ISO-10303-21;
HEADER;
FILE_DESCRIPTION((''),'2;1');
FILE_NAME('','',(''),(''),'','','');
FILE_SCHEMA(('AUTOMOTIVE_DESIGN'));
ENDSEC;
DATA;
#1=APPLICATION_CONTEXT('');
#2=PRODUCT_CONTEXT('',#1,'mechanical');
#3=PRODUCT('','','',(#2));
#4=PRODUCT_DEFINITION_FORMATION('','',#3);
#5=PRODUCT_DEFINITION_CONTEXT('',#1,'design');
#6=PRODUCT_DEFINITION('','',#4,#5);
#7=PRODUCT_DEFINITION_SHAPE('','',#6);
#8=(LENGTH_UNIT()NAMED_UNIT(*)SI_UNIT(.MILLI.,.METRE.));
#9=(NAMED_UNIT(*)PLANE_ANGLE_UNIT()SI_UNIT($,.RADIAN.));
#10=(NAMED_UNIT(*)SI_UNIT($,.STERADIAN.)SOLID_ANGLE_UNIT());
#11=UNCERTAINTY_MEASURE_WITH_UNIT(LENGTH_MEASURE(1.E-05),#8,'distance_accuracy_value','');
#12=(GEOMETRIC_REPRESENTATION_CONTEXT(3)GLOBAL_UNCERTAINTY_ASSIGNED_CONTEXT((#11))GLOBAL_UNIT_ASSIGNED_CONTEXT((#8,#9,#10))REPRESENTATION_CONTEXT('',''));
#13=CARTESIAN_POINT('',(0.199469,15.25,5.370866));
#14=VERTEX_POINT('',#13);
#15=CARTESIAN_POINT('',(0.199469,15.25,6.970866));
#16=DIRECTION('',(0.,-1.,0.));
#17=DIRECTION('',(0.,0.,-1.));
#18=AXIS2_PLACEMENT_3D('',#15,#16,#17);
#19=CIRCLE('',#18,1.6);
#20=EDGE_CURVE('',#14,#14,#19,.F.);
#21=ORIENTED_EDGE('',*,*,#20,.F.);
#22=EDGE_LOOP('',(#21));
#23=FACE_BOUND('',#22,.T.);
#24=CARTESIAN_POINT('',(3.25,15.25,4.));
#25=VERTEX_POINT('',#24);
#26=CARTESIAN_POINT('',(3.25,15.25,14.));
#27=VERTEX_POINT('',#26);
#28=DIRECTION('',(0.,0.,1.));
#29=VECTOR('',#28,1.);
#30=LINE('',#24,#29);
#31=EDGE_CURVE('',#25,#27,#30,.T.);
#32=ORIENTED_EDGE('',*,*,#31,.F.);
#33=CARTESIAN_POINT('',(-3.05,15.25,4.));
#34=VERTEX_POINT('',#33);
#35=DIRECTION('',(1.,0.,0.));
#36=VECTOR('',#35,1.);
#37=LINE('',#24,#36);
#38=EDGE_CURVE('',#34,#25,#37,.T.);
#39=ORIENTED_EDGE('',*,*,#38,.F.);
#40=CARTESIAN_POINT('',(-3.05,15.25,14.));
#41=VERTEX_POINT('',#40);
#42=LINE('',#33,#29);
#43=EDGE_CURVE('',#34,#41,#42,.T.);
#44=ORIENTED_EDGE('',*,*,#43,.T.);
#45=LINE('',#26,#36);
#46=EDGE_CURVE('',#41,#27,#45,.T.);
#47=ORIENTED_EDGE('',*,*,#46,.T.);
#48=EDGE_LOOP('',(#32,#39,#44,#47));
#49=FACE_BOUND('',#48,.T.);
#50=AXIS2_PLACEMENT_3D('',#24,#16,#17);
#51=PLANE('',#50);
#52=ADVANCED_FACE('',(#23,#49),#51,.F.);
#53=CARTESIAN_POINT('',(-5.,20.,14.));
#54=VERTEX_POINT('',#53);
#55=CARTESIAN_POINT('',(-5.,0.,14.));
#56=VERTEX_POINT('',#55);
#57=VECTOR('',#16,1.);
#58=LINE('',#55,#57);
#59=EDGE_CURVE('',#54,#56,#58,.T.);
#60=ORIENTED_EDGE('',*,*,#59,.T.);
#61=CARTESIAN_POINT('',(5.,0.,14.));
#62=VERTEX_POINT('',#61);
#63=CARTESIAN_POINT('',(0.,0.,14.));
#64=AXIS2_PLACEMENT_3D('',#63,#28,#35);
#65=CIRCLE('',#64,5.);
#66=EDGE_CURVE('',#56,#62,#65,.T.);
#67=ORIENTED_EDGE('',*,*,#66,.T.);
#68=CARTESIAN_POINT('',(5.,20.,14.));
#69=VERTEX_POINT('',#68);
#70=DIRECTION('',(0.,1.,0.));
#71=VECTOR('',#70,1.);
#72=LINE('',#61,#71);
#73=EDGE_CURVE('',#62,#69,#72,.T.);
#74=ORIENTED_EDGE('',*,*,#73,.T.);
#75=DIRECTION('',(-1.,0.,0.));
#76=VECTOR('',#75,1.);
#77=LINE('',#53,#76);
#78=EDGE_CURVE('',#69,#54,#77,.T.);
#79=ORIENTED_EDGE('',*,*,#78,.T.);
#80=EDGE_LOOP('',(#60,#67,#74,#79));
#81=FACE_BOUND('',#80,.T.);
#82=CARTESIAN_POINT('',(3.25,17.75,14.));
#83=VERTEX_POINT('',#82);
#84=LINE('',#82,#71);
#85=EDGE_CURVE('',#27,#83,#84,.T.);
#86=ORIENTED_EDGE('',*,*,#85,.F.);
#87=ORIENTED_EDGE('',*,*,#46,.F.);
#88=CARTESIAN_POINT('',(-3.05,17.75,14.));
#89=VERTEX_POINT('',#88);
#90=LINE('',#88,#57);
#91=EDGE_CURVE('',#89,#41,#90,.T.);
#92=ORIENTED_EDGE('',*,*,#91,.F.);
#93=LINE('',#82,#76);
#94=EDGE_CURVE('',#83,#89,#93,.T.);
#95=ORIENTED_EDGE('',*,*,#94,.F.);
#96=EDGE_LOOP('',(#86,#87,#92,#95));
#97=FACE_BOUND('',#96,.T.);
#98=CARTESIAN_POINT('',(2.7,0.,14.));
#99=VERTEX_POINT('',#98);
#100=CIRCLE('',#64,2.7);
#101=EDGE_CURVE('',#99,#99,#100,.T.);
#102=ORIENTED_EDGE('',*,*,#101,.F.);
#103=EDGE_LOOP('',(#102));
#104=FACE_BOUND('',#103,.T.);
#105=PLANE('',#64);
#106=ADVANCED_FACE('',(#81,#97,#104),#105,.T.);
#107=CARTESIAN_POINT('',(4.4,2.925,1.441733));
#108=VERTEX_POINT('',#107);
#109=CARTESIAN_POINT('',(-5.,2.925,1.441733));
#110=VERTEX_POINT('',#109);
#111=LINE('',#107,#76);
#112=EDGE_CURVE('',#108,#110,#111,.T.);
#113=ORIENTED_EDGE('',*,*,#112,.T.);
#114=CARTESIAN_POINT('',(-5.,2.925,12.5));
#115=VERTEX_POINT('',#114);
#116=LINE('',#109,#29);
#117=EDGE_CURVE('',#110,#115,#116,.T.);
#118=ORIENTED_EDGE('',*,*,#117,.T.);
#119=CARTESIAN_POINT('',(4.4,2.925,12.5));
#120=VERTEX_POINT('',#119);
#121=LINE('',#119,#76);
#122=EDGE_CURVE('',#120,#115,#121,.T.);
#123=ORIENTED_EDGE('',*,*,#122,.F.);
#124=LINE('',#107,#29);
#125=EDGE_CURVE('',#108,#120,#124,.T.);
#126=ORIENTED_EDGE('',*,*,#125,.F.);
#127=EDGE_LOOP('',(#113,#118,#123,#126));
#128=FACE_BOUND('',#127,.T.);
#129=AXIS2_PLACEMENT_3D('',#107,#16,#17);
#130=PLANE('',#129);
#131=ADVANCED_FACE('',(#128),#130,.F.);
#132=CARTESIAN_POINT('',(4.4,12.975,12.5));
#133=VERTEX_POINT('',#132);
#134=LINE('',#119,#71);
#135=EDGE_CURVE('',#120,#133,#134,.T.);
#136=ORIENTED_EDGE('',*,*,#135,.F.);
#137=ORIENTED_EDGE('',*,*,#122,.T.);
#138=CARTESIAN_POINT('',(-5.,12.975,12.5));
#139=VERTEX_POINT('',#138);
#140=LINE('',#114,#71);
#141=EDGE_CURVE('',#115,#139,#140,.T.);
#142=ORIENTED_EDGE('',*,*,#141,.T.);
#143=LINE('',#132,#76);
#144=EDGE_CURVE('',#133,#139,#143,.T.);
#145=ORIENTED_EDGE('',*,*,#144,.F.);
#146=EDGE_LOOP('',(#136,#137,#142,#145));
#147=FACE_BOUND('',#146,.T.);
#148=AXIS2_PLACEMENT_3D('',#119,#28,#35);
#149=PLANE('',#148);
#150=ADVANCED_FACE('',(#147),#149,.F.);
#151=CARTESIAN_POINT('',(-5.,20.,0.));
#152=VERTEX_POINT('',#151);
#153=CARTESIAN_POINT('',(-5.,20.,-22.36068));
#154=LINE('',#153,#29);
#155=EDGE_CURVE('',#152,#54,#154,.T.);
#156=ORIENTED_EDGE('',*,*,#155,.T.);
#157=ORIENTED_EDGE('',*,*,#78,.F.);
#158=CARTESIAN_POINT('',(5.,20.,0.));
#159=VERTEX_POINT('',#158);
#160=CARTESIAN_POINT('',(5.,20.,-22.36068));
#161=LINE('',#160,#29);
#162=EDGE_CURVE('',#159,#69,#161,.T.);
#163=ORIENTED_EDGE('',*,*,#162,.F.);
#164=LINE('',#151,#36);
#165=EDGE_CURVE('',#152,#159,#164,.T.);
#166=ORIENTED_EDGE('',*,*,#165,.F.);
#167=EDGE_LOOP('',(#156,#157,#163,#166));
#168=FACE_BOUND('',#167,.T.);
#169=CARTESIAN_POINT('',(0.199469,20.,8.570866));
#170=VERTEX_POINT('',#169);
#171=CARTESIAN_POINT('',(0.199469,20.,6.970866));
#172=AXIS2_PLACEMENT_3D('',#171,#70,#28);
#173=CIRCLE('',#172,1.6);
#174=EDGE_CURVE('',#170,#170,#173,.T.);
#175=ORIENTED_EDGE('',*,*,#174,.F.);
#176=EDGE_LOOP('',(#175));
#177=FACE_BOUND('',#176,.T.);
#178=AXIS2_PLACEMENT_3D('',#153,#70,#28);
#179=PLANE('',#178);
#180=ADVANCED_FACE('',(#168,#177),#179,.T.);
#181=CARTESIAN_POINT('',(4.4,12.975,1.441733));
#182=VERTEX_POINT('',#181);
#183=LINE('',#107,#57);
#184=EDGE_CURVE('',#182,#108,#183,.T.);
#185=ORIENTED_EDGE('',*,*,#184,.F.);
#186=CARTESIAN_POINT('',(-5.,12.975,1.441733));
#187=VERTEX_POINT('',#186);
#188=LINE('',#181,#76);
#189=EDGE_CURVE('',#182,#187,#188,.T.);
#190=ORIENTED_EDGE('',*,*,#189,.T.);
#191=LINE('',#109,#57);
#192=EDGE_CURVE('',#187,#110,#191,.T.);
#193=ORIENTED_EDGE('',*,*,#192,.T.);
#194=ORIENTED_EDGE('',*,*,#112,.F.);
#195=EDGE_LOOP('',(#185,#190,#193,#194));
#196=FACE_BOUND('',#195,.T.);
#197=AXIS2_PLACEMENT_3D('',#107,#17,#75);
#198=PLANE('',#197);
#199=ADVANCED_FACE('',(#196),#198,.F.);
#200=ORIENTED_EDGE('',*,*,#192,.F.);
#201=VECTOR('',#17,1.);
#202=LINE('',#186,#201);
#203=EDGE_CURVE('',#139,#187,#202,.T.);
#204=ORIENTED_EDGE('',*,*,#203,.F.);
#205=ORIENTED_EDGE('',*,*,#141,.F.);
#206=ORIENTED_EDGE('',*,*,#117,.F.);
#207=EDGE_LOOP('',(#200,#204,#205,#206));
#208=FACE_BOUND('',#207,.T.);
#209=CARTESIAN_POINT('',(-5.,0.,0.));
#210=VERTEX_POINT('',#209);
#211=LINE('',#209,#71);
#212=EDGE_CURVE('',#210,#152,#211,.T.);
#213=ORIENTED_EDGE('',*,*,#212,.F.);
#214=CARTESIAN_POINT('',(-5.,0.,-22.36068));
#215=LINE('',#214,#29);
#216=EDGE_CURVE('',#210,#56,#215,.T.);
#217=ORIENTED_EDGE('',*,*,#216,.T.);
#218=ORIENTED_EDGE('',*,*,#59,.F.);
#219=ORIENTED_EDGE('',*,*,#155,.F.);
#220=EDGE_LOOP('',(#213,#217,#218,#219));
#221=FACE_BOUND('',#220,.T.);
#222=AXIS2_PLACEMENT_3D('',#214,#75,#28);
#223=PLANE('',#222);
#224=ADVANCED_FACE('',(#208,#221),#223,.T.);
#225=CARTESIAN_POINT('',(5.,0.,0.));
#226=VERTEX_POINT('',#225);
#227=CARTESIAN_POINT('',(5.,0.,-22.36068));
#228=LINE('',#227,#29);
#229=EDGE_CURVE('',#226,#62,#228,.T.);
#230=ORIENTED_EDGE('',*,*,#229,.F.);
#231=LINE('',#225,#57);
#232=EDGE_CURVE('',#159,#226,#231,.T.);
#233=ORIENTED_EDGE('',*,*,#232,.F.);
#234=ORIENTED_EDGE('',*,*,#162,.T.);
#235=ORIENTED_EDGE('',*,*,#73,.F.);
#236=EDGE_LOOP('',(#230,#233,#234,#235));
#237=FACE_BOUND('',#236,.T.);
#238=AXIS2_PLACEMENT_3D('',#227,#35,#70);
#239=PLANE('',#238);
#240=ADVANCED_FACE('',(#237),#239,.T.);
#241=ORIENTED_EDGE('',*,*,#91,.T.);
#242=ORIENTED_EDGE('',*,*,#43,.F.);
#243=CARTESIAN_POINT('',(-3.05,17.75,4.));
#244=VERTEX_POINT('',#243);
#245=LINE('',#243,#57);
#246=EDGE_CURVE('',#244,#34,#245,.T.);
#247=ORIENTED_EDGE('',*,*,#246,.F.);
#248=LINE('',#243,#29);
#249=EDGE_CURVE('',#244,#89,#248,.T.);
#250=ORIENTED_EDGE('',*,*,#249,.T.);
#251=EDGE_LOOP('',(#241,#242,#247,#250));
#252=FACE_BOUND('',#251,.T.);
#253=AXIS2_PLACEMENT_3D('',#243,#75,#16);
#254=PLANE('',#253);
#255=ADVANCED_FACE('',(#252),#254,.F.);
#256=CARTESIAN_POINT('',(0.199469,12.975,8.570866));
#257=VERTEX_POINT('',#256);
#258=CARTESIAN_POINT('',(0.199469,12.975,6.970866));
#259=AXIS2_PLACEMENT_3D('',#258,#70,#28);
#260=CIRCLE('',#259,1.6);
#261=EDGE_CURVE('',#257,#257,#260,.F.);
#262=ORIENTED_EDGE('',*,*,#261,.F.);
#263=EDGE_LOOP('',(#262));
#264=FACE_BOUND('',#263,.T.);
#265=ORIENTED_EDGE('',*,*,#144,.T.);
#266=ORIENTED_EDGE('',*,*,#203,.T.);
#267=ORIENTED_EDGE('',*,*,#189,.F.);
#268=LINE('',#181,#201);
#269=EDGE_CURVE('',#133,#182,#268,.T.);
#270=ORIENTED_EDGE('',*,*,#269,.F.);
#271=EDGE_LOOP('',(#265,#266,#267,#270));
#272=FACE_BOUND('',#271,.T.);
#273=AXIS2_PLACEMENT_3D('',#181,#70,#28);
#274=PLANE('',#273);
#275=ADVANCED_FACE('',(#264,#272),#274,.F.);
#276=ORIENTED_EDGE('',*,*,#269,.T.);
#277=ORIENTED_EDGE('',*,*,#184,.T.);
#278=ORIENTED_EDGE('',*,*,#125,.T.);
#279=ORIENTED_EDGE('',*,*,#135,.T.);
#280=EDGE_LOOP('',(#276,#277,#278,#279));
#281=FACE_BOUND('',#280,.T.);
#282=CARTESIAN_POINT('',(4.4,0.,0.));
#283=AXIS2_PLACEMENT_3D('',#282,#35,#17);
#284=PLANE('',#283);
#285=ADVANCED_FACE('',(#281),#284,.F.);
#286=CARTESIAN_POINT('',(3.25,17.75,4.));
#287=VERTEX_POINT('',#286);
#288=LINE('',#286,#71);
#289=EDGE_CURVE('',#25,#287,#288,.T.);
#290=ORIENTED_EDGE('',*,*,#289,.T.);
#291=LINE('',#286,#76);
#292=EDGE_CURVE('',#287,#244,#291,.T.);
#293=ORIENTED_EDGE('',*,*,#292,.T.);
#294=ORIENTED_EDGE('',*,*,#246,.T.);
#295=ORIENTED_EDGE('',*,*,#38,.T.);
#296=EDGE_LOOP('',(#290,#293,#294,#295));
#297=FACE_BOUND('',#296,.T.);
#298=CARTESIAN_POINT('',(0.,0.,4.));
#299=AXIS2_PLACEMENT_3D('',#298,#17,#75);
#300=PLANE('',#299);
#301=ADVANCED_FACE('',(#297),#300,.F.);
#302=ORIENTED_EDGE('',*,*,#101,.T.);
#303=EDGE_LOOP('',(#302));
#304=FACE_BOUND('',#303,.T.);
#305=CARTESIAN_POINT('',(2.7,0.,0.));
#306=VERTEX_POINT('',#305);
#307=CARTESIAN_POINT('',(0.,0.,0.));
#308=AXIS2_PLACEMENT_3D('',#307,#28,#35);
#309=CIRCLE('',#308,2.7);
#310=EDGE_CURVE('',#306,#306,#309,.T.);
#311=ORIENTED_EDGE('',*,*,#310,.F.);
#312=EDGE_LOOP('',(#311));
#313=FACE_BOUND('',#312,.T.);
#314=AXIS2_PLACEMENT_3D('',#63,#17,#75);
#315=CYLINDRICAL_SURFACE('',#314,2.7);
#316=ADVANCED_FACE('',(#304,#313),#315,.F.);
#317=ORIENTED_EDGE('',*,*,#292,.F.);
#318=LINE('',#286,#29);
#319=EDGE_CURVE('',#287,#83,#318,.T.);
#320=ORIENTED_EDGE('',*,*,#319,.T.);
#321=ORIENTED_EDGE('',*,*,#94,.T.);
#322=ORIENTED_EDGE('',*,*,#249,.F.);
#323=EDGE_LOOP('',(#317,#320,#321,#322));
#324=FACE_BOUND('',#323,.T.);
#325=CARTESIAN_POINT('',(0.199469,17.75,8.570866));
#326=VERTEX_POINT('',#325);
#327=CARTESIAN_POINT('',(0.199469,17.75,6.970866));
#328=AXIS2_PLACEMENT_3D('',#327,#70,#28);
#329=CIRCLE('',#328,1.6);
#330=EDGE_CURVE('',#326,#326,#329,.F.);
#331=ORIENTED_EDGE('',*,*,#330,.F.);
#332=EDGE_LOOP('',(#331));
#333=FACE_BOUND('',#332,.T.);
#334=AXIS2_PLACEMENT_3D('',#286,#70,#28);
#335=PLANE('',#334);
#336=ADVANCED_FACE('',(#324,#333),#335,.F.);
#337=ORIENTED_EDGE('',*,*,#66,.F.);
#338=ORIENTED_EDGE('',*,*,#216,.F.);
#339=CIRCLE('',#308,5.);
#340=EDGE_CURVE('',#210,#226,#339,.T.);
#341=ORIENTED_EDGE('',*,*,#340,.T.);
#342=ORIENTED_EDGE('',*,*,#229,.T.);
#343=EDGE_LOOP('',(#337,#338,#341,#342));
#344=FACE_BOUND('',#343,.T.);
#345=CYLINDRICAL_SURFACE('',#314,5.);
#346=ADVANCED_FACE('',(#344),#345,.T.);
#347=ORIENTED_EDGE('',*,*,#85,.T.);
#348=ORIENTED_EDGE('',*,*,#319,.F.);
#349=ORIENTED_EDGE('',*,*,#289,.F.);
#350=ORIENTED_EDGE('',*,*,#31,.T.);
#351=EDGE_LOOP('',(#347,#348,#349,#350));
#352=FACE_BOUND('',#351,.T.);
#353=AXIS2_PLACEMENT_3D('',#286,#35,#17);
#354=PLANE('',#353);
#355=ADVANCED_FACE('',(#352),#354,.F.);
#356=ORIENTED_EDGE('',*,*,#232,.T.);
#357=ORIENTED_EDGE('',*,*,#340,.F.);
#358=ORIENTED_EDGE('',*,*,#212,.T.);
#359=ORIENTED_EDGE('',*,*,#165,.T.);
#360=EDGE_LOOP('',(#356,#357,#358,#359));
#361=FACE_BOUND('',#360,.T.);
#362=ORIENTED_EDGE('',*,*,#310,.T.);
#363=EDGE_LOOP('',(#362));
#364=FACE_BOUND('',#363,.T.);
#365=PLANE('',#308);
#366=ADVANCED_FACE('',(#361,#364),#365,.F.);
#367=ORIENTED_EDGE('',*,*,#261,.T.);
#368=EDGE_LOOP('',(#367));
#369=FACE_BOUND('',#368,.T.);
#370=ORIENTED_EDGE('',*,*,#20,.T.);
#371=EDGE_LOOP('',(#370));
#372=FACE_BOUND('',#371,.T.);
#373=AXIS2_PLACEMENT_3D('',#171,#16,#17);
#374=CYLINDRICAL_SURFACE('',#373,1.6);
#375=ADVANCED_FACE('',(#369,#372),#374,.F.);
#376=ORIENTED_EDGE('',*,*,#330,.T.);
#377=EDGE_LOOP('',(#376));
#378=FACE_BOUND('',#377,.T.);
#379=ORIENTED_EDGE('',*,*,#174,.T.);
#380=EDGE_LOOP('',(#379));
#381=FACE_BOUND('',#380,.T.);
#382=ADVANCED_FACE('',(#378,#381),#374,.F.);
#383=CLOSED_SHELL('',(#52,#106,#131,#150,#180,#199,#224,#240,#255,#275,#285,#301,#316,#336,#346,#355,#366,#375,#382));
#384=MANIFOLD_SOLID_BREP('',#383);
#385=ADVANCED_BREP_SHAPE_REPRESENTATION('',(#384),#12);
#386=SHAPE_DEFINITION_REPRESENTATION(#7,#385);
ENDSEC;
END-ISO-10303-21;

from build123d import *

# Parameters (mm, degrees)
SKETCH_1_R          = 5
SKETCH_1_R_2        = 2.7
EXTRUDE_1_DEPTH     = 14
EXTRUDE_START       = -14
EXTRUDE_2_DEPTH     = 14
SKETCH_5_W          = 6.3
SKETCH_5_H          = 2.5
CUT_EXTRUDE_3_DEPTH = 10
SKETCH_10_W         = 11.05826702
SKETCH_10_H         = 10.05
CUT_EXTRUDE_5_DEPTH = 9.4
SKETCH_12_R         = 1.6
CUT_EXTRUDE_7_DEPTH = 23.639691363


with BuildPart() as part:
    # Эскиз1 → Бобышка-Вытянуть1 (new body)
    with BuildSketch(Plane.XY):
        Circle(SKETCH_1_R)
        Circle(SKETCH_1_R_2, mode=Mode.SUBTRACT)
    extrude(amount=EXTRUDE_1_DEPTH)

    # Эскиз2 → Бобышка-Вытянуть2 (add)
    with BuildSketch(Plane.XY.offset(14).offset(EXTRUDE_START)):
        with BuildLine():
            Line((-5, 0), (-2.7, 0))
            ThreePointArc((-2.7, 0), (0, 2.7), (2.7, 0))
            Line((2.7, 0), (5, 0))
            Line((5, 0), (5, 20))
            Line((5, 20), (-5, 20))
            Line((-5, 20), (-5, 0))
        make_face()
    extrude(amount=EXTRUDE_2_DEPTH)

    # Эскиз5 → Вырез-Вытянуть3 (cut)
    with BuildSketch(Plane.XY.offset(14)):
        with Locations((0.1, 16.5)):
            Rectangle(SKETCH_5_W, SKETCH_5_H)
    extrude(amount=-CUT_EXTRUDE_3_DEPTH, mode=Mode.SUBTRACT)

    # Эскиз10 → Вырез-Вытянуть5 (cut)
    with BuildSketch(Plane.ZY.offset(5)):
        with Locations((6.97086649, 7.95)):
            Rectangle(SKETCH_10_W, SKETCH_10_H)
    extrude(amount=-CUT_EXTRUDE_5_DEPTH, mode=Mode.SUBTRACT)

    # Эскиз12 → Вырез-Вытянуть7 (cut, through all)
    with BuildSketch(Plane(origin=(0, 2.925, 0), x_dir=(1, 0, 0), z_dir=(0, 1, 0))):
        with Locations(Location((0.19946897, -6.97086649, 0), (0, 0, 90))):
            Circle(SKETCH_12_R)
    extrude(amount=CUT_EXTRUDE_7_DEPTH, mode=Mode.SUBTRACT)


solid = part.part
